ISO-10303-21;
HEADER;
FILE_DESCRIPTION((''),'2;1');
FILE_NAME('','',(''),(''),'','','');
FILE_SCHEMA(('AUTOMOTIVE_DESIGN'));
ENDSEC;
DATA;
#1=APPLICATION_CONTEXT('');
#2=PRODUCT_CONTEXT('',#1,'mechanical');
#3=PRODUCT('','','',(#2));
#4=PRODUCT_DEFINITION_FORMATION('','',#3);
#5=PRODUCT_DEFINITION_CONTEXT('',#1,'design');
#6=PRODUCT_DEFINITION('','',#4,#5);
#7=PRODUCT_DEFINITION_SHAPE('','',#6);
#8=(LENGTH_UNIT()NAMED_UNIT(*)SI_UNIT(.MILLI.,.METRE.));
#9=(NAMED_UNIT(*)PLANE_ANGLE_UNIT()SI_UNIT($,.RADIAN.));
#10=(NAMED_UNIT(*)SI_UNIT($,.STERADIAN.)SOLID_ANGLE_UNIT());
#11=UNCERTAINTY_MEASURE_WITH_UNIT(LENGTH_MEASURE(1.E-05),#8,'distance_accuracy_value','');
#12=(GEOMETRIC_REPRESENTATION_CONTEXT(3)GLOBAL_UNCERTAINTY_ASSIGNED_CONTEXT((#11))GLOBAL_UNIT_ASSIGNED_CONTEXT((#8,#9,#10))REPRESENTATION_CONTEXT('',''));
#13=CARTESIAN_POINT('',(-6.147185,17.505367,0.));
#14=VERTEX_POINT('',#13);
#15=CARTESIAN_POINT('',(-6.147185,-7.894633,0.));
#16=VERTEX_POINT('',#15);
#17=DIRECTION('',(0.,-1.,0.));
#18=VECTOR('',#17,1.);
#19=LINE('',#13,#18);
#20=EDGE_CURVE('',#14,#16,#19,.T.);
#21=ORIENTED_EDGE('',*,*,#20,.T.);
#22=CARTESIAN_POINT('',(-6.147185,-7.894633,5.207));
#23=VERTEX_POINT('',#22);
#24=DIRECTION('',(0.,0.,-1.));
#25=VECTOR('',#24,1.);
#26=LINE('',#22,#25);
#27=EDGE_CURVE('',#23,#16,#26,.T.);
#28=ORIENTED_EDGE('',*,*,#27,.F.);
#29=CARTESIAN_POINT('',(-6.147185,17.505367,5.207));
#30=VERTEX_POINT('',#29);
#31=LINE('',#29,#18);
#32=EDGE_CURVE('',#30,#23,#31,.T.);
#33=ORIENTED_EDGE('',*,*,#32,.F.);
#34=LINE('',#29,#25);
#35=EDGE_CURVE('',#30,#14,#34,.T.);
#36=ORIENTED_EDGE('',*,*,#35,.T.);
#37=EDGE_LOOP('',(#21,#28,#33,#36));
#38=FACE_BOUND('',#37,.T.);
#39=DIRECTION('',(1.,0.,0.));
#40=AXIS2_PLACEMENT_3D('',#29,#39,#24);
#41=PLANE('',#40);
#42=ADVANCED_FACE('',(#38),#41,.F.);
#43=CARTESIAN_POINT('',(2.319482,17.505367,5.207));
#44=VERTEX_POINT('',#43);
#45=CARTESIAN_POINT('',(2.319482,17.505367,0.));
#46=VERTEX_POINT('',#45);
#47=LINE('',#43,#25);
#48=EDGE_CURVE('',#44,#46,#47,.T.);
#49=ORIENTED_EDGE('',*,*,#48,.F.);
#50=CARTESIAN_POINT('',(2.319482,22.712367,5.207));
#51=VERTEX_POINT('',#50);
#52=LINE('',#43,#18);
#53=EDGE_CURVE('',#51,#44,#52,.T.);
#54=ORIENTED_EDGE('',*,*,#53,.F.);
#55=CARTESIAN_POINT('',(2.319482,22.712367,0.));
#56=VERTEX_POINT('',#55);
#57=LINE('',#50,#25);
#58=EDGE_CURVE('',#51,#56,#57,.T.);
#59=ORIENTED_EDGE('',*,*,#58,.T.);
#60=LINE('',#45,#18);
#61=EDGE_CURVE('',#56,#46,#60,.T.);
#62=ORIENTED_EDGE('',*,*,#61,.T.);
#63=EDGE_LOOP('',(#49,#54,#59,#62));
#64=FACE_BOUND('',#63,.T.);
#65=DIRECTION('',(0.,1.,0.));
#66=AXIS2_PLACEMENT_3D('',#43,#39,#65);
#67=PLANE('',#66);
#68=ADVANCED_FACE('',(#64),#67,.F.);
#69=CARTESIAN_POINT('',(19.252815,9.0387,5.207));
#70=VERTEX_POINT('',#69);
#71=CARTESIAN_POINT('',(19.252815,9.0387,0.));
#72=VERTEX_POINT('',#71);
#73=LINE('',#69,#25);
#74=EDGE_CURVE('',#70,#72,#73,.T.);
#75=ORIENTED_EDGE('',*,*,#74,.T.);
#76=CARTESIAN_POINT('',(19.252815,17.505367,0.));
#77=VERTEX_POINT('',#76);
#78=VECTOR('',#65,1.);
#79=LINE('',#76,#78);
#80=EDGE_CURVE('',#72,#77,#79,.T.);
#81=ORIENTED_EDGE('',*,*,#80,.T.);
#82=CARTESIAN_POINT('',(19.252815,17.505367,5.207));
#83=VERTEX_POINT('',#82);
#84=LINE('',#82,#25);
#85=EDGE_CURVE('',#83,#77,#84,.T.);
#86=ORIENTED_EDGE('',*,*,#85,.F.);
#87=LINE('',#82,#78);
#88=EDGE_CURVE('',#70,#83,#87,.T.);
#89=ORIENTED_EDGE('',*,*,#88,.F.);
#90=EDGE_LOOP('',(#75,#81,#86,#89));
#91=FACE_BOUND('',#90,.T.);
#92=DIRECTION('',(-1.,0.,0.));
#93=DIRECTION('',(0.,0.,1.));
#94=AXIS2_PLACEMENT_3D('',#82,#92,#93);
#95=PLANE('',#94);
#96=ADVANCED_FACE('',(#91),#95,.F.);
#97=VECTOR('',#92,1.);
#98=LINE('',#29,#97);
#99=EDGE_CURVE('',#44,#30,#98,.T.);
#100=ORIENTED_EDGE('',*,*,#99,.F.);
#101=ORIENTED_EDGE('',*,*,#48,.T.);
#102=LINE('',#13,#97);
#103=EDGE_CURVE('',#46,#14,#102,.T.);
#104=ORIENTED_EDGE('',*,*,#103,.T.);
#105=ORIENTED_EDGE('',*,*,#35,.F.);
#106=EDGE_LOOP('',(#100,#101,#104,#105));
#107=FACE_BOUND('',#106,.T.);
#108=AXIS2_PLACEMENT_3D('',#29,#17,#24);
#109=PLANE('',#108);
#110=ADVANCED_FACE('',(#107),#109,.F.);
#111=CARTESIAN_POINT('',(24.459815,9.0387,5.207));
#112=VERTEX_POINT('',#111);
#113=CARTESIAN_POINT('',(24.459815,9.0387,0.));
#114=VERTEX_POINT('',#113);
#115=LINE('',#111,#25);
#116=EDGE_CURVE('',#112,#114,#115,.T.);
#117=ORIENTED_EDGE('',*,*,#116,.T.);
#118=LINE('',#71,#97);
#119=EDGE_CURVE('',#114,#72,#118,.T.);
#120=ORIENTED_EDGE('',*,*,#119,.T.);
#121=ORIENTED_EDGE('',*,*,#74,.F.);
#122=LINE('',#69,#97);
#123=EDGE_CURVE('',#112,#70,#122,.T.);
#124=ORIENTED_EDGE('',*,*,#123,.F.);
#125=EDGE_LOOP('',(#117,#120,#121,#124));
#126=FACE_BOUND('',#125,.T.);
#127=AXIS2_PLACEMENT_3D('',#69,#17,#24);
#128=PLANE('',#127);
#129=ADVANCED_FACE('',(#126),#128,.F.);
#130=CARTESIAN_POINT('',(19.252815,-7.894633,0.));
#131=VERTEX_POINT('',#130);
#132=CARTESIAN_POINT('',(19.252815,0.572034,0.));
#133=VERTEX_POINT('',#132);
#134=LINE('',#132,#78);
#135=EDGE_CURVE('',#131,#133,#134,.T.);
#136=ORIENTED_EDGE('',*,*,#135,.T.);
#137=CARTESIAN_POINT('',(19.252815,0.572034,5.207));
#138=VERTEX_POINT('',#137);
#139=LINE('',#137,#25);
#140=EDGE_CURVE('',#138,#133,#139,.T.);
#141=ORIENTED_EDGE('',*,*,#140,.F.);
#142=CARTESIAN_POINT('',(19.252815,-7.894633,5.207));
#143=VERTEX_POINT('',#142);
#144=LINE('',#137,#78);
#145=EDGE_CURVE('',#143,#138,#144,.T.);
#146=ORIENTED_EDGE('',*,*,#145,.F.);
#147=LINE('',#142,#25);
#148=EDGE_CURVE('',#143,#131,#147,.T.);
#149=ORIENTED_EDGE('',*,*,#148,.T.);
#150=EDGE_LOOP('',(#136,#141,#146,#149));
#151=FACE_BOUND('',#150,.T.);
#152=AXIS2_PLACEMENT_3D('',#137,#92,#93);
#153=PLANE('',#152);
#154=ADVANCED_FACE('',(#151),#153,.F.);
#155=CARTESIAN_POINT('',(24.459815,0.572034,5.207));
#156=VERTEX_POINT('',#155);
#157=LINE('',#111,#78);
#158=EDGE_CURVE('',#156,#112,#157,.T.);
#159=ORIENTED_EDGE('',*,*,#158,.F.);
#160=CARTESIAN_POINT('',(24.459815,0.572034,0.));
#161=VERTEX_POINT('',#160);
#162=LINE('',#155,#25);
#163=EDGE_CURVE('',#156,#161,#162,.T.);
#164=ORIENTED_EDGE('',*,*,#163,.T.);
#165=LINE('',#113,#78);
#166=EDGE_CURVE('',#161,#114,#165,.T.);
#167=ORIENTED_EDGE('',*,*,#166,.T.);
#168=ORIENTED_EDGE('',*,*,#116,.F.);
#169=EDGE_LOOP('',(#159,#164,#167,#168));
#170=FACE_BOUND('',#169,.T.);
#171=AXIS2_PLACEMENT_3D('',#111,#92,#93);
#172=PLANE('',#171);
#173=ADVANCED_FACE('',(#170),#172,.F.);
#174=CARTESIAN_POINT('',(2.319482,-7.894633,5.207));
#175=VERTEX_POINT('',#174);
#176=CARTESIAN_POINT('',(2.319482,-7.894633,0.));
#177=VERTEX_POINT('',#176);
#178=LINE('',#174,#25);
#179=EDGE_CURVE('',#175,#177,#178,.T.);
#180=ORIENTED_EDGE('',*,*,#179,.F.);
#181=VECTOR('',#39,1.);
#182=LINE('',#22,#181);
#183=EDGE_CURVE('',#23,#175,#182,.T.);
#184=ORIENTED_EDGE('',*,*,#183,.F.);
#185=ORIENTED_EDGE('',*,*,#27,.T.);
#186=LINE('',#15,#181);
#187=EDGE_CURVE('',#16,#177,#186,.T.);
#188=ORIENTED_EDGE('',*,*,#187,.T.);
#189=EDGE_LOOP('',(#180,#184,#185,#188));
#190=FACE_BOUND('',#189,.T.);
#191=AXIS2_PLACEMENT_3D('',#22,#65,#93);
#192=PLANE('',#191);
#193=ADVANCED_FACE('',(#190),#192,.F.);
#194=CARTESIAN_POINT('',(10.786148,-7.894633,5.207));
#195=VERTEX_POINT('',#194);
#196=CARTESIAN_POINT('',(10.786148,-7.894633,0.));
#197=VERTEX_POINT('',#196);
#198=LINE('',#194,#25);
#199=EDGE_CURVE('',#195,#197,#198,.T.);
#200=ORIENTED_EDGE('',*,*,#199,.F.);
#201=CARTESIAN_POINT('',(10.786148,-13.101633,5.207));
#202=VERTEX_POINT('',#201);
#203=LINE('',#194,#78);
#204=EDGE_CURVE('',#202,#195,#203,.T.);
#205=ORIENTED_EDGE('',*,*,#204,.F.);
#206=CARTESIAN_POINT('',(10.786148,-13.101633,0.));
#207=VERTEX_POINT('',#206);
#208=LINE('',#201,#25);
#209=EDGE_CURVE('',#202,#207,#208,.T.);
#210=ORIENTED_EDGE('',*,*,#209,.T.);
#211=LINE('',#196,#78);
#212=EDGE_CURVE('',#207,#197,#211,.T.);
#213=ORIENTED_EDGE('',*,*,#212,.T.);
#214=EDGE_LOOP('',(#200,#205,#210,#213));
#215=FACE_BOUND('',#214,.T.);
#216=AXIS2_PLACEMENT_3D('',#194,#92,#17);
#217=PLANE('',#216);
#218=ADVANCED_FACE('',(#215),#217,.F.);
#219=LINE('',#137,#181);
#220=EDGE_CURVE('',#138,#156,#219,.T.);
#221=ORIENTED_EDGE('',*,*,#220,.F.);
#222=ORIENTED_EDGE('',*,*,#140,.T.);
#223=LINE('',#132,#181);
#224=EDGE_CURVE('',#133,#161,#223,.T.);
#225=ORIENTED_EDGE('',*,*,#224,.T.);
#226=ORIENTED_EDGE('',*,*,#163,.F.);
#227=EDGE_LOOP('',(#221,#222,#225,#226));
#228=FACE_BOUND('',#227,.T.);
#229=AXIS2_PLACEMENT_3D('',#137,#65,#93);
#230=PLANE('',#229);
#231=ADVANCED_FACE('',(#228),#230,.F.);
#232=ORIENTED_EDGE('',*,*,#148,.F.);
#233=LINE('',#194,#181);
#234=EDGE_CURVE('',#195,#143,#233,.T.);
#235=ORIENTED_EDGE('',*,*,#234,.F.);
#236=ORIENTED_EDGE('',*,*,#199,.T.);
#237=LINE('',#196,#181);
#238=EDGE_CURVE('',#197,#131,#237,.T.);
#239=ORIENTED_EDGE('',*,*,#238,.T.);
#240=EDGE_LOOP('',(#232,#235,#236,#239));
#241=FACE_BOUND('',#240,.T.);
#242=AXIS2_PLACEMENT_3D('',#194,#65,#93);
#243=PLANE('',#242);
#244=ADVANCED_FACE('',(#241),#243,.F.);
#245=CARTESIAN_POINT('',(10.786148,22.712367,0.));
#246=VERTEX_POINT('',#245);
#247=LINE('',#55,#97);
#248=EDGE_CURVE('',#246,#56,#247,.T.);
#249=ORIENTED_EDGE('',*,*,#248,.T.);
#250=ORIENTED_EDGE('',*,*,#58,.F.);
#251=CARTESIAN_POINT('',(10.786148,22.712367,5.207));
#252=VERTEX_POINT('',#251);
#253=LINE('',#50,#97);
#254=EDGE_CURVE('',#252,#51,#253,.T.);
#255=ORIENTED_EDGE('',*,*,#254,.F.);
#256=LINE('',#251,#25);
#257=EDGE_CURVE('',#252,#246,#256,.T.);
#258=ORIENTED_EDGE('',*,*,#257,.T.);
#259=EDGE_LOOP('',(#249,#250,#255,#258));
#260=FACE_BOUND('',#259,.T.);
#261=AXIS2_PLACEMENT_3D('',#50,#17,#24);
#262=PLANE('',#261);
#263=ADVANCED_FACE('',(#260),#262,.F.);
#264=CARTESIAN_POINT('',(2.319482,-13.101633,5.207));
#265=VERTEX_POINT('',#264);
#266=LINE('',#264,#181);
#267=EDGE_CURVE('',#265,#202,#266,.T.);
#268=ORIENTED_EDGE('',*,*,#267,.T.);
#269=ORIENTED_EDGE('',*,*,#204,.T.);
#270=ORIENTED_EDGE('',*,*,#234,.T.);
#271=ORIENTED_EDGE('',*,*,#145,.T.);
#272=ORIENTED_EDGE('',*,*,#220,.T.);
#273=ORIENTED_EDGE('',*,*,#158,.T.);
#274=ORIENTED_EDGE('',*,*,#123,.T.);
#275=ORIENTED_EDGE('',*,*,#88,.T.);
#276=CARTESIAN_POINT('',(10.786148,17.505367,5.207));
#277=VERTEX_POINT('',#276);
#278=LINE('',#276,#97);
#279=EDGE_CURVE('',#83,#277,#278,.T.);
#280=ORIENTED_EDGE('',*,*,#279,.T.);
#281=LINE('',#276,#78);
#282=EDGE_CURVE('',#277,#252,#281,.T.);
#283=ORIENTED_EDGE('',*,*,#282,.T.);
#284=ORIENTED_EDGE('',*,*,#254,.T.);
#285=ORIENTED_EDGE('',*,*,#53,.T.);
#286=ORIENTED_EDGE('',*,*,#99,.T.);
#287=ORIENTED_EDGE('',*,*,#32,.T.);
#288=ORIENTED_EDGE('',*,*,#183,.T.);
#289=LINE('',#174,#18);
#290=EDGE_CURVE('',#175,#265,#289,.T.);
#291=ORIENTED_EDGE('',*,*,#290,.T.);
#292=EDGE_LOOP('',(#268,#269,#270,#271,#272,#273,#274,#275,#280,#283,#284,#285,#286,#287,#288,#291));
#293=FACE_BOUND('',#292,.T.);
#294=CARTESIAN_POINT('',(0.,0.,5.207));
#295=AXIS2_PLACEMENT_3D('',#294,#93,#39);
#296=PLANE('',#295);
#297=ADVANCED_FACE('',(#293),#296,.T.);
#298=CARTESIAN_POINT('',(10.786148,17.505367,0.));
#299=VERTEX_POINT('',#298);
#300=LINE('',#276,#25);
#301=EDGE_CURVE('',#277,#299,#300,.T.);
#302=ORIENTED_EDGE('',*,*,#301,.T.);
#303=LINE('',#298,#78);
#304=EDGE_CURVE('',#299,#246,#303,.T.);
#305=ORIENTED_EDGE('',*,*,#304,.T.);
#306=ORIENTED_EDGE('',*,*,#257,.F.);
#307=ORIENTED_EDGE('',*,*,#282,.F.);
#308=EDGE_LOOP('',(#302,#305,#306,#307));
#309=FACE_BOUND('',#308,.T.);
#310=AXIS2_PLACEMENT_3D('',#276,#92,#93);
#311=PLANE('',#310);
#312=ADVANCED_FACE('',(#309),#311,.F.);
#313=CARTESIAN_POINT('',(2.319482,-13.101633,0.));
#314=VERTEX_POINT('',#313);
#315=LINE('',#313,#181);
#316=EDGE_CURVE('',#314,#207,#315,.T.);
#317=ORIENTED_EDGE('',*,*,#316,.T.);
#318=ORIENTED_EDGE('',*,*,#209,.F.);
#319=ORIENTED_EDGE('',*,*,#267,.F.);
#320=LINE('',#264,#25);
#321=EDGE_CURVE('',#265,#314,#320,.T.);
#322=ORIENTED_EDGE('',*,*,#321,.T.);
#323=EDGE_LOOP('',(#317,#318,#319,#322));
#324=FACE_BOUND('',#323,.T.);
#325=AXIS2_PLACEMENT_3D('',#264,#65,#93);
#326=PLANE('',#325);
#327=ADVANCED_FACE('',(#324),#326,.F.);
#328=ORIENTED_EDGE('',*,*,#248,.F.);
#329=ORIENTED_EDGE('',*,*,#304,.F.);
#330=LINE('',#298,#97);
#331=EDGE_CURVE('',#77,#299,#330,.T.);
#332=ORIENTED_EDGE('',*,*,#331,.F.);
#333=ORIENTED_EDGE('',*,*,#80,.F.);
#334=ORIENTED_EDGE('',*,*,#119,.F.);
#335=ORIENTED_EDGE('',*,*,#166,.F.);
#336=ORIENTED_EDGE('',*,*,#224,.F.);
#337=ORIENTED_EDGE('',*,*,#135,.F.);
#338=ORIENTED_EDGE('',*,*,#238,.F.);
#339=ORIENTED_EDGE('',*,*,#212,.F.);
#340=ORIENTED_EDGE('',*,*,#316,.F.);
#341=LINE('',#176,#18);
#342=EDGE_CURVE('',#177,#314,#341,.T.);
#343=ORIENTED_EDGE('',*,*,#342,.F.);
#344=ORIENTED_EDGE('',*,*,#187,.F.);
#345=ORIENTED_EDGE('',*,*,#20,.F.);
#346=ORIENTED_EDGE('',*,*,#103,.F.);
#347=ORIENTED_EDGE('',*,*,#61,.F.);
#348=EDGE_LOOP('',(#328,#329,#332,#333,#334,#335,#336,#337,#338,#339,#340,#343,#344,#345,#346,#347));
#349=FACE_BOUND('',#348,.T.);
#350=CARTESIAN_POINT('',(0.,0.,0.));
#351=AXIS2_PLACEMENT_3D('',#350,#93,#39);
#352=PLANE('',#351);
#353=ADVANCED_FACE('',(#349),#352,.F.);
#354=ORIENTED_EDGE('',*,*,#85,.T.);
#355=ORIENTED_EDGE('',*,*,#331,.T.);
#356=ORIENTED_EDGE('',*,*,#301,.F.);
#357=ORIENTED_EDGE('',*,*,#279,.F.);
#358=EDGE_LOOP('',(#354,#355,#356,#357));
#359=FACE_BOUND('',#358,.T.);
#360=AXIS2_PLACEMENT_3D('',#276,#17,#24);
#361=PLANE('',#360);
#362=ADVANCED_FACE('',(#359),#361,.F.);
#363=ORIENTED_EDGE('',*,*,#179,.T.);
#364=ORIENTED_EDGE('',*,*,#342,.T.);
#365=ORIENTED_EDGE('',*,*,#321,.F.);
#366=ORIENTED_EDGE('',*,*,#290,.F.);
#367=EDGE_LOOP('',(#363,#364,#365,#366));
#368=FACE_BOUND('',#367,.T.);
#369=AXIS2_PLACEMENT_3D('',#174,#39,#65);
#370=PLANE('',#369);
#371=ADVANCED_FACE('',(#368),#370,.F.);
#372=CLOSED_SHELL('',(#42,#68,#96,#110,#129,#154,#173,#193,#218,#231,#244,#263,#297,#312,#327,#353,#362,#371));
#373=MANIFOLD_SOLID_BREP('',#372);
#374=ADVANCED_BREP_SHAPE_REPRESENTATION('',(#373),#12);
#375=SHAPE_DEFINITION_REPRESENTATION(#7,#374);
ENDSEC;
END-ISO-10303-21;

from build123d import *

# Parameters (mm, degrees)
BOSS_EXTRUDE1_DEPTH = 5.207


with BuildPart() as part:
    # Sketch1 → Boss-Extrude1 (new body)
    with BuildSketch(Plane.XY):
        Polygon((10.786148393, 17.505366953), (19.25281506, 17.505366953), (19.25281506, 9.038700286), (24.45981506, 9.038700286), (24.45981506, 0.572033619), (19.25281506, 0.572033619), (19.25281506, -7.894633047), (10.786148393, -7.894633047), (10.786148393, -13.101633047), (2.319481726, -13.101633047), (2.319481726, -7.894633047), (-6.14718494, -7.894633047), (-6.14718494, 17.505366953), (2.319481726, 17.505366953), (2.319481726, 22.712366953), (10.786148393, 22.712366953), align=None)
    extrude(amount=BOSS_EXTRUDE1_DEPTH)


solid = part.part
